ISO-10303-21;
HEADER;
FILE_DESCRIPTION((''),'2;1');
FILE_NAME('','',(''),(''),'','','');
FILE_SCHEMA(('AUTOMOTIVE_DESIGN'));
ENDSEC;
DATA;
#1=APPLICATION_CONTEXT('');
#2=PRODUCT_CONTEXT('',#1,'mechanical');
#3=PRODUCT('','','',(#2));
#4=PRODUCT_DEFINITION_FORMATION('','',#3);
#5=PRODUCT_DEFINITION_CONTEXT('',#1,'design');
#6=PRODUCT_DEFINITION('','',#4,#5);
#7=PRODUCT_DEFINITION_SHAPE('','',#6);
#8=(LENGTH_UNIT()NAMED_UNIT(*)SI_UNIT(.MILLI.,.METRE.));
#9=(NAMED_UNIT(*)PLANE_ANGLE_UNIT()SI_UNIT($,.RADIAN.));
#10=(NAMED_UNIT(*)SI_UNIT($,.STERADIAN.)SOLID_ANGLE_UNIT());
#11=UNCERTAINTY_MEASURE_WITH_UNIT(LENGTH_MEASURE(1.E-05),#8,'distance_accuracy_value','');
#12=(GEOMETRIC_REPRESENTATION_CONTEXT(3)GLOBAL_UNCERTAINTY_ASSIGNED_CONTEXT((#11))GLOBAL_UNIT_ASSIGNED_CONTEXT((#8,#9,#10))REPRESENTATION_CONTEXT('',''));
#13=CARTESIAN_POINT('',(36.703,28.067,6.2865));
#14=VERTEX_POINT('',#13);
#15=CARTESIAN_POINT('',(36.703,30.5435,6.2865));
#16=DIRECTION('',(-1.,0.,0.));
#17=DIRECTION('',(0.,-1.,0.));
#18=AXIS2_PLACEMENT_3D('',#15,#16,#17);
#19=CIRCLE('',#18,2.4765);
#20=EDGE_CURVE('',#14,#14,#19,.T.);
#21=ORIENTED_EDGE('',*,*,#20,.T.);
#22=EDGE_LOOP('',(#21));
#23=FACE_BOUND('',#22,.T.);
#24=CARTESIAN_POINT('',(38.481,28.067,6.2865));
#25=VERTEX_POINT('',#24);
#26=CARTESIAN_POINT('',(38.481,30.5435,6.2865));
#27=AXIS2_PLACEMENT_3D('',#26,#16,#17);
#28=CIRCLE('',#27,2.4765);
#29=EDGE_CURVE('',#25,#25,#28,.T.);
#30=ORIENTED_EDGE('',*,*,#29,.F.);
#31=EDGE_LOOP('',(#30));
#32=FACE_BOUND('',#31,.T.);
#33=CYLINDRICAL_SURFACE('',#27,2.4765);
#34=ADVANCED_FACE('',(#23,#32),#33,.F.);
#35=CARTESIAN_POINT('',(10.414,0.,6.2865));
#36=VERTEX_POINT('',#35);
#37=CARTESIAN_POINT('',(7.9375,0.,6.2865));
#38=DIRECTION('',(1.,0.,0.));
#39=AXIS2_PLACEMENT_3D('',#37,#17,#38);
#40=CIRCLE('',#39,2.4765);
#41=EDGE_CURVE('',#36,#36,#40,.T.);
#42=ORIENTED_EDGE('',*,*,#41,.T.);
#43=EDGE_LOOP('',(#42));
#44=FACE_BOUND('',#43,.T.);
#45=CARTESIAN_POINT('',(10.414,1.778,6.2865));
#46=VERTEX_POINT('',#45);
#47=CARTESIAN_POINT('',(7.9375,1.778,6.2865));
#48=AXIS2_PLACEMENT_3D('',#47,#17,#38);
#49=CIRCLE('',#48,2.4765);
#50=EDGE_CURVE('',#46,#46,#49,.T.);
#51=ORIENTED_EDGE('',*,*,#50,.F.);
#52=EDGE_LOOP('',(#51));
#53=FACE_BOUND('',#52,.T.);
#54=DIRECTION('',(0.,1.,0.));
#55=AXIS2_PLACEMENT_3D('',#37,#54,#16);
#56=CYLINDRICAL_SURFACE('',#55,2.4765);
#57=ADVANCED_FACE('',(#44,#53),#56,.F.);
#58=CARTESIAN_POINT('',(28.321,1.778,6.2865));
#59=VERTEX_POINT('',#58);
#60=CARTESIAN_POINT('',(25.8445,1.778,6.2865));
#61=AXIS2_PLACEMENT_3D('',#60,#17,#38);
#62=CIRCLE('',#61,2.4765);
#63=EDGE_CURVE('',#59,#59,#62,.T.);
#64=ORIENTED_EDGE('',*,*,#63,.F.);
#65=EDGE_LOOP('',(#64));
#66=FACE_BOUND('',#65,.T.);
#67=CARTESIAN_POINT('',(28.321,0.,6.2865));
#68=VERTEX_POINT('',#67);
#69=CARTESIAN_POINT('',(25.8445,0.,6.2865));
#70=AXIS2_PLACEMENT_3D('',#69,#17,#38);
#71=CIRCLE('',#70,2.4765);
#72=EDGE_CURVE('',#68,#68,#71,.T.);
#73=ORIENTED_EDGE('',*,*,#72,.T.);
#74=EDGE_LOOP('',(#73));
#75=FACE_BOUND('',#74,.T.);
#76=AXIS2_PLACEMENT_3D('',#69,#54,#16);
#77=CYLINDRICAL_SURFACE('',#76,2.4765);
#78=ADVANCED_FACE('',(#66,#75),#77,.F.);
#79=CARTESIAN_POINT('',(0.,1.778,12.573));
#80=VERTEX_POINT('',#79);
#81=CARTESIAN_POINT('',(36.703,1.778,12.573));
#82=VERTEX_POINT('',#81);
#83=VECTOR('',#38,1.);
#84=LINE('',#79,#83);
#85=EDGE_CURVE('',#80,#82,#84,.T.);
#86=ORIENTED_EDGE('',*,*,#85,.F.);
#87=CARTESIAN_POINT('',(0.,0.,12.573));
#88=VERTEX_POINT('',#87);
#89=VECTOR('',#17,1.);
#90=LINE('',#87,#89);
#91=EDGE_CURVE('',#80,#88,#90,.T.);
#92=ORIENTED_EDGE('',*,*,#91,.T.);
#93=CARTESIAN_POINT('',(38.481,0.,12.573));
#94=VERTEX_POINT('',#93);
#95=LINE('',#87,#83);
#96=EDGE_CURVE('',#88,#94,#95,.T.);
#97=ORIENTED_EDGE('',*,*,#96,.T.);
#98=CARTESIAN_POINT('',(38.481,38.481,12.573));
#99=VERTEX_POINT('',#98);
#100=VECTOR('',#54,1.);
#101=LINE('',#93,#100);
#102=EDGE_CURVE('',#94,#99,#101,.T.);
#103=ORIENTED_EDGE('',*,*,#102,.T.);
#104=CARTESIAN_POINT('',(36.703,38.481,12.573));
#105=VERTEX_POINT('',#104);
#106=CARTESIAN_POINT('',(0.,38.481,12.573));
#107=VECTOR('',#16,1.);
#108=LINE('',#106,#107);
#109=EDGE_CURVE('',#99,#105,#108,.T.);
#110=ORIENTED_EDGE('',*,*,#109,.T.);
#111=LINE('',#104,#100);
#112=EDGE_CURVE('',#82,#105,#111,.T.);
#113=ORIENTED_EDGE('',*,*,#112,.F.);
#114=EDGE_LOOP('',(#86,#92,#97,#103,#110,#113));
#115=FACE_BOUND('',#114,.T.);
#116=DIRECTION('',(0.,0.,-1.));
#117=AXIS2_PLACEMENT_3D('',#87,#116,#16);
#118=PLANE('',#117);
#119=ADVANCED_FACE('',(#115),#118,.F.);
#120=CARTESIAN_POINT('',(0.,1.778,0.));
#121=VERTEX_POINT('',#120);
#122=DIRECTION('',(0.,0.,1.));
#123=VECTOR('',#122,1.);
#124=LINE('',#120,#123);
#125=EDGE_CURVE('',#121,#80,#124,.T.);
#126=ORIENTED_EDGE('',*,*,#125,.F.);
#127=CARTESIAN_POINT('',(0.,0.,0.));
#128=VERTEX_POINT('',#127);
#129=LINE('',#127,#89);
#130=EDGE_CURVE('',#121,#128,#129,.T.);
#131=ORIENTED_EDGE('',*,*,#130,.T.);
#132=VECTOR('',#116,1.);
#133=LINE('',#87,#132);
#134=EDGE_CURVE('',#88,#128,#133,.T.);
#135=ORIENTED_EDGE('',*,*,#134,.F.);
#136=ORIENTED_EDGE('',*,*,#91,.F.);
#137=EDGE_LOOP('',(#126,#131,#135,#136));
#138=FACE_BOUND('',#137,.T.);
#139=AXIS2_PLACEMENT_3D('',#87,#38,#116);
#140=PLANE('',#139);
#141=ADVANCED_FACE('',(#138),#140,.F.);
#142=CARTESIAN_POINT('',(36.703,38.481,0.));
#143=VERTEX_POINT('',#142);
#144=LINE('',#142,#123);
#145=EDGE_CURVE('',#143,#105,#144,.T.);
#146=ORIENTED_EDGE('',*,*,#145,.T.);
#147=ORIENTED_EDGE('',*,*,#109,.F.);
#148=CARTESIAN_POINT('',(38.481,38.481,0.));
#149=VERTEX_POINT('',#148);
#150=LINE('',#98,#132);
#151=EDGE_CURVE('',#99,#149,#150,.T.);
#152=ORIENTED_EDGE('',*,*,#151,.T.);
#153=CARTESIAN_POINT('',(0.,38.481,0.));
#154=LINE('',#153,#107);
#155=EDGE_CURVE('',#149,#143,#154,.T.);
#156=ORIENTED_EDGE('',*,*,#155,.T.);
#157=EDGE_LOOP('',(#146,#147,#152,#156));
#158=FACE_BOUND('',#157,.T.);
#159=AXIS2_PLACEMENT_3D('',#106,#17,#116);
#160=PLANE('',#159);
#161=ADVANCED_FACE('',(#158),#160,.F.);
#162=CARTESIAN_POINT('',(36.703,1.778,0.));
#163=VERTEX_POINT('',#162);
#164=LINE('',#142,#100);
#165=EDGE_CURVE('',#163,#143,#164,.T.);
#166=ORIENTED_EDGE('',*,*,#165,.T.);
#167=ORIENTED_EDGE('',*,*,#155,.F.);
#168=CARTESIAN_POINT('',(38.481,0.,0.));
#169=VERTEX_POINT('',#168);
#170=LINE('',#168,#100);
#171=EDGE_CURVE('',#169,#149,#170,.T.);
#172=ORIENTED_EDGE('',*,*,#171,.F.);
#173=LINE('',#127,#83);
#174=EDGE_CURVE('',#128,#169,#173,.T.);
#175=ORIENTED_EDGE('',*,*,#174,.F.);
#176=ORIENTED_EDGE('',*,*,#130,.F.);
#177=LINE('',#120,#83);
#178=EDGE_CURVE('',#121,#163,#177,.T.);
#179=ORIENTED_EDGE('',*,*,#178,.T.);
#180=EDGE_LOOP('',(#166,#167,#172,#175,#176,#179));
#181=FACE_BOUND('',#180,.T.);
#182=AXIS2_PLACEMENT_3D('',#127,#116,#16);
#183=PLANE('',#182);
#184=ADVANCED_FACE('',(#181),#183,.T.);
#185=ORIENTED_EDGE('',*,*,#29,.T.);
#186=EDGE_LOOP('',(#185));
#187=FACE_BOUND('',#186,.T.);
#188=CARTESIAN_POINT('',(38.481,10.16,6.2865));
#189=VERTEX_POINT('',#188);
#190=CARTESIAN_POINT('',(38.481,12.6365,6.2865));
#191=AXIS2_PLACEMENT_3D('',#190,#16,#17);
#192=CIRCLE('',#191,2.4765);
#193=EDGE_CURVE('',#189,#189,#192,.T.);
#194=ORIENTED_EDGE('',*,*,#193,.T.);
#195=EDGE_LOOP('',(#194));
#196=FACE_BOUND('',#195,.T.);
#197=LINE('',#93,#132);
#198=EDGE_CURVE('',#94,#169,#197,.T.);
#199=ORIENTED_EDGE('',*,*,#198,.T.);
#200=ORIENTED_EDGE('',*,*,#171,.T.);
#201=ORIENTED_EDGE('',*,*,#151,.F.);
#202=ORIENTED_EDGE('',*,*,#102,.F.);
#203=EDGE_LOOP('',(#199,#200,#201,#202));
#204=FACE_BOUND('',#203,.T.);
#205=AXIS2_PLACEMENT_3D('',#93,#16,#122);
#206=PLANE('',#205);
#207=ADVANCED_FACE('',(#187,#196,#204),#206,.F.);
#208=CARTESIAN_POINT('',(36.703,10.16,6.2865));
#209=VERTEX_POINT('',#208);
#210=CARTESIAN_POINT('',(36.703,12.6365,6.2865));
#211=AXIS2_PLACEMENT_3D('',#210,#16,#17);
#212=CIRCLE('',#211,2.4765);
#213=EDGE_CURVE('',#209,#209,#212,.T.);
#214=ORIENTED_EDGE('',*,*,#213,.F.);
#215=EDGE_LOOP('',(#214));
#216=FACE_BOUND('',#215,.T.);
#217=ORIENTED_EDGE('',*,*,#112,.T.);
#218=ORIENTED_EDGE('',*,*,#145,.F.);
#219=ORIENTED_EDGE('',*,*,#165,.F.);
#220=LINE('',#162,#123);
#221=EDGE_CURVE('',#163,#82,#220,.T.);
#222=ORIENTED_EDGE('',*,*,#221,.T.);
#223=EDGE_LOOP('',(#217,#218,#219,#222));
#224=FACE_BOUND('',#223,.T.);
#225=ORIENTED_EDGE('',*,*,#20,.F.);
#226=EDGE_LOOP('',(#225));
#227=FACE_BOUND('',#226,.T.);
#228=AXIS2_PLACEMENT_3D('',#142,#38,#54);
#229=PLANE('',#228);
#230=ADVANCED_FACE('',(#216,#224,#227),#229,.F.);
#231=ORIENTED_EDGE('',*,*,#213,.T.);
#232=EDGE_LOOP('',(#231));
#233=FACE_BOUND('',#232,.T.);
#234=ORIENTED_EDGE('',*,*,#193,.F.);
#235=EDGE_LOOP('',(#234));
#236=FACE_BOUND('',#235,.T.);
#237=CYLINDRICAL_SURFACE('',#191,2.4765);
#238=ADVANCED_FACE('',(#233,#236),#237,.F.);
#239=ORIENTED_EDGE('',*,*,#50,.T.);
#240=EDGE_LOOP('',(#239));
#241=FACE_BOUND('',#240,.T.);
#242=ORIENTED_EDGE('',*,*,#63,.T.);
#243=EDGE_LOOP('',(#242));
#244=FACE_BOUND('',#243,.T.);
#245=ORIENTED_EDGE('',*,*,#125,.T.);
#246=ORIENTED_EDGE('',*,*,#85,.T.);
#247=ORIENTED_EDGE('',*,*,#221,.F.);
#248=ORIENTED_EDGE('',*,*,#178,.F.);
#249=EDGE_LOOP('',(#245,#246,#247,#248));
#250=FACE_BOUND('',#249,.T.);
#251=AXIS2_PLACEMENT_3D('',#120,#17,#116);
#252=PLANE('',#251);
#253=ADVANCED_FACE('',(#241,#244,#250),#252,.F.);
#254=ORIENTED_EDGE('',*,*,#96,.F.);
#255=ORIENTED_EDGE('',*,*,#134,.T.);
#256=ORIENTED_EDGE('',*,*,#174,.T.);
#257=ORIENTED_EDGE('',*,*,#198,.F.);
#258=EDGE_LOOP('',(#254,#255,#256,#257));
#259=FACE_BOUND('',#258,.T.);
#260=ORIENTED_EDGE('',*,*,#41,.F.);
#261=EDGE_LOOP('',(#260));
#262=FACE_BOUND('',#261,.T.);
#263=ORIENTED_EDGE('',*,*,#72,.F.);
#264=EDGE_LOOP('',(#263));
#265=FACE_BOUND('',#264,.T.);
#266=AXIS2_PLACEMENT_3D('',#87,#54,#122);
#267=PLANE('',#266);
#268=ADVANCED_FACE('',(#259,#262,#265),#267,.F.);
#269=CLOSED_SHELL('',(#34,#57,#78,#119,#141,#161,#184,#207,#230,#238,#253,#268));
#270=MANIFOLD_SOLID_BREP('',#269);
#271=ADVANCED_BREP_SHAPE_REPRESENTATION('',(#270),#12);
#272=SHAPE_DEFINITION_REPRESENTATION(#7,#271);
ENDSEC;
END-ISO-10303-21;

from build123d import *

# Parameters (mm, degrees)
SKETCH1_W           = 38.481
SKETCH1_H           = 38.481
BOSS_EXTRUDE1_DEPTH = 12.573
SKETCH2_W           = 36.703
SKETCH2_H           = 36.703
CUT_EXTRUDE1_DEPTH  = 56.853872301
SKETCH3_R           = 2.4765
CUT_EXTRUDE2_DEPTH  = 55.644102143


with BuildPart() as part:
    # Sketch1 → Boss-Extrude1 (new body)
    with BuildSketch(Plane.XY):
        with Locations((19.2405, 19.2405)):
            Rectangle(SKETCH1_W, SKETCH1_H)
    extrude(amount=BOSS_EXTRUDE1_DEPTH)

    # Sketch2 → Cut-Extrude1 (cut, through all)
    with BuildSketch(Plane.XY.offset(12.573)):
        with Locations((18.3515, 20.1295)):
            Rectangle(SKETCH2_W, SKETCH2_H)
    extrude(amount=-CUT_EXTRUDE1_DEPTH, mode=Mode.SUBTRACT)

    # Sketch3 → Cut-Extrude2 (cut, through all)
    with BuildSketch(Plane.ZY.offset(-36.703)):
        with Locations(Location((6.2865, 12.6365, 0), (0, 0, 270))):
            Circle(SKETCH3_R)
        with Locations(Location((6.2865, 30.5435, 0), (0, 0, 270))):
            Circle(SKETCH3_R)
    cut_extrude2 = extrude(amount=-CUT_EXTRUDE2_DEPTH, mode=Mode.SUBTRACT)

    # Mirror1: Cut-Extrude2 across plane
    add(cut_extrude2.mirror(Plane(origin=(19.2405, 19.2405, 0), x_dir=(0, 0, 1), z_dir=(0.7071067811865389, 0.7071067811865561, 0))), mode=Mode.SUBTRACT)


solid = part.part
